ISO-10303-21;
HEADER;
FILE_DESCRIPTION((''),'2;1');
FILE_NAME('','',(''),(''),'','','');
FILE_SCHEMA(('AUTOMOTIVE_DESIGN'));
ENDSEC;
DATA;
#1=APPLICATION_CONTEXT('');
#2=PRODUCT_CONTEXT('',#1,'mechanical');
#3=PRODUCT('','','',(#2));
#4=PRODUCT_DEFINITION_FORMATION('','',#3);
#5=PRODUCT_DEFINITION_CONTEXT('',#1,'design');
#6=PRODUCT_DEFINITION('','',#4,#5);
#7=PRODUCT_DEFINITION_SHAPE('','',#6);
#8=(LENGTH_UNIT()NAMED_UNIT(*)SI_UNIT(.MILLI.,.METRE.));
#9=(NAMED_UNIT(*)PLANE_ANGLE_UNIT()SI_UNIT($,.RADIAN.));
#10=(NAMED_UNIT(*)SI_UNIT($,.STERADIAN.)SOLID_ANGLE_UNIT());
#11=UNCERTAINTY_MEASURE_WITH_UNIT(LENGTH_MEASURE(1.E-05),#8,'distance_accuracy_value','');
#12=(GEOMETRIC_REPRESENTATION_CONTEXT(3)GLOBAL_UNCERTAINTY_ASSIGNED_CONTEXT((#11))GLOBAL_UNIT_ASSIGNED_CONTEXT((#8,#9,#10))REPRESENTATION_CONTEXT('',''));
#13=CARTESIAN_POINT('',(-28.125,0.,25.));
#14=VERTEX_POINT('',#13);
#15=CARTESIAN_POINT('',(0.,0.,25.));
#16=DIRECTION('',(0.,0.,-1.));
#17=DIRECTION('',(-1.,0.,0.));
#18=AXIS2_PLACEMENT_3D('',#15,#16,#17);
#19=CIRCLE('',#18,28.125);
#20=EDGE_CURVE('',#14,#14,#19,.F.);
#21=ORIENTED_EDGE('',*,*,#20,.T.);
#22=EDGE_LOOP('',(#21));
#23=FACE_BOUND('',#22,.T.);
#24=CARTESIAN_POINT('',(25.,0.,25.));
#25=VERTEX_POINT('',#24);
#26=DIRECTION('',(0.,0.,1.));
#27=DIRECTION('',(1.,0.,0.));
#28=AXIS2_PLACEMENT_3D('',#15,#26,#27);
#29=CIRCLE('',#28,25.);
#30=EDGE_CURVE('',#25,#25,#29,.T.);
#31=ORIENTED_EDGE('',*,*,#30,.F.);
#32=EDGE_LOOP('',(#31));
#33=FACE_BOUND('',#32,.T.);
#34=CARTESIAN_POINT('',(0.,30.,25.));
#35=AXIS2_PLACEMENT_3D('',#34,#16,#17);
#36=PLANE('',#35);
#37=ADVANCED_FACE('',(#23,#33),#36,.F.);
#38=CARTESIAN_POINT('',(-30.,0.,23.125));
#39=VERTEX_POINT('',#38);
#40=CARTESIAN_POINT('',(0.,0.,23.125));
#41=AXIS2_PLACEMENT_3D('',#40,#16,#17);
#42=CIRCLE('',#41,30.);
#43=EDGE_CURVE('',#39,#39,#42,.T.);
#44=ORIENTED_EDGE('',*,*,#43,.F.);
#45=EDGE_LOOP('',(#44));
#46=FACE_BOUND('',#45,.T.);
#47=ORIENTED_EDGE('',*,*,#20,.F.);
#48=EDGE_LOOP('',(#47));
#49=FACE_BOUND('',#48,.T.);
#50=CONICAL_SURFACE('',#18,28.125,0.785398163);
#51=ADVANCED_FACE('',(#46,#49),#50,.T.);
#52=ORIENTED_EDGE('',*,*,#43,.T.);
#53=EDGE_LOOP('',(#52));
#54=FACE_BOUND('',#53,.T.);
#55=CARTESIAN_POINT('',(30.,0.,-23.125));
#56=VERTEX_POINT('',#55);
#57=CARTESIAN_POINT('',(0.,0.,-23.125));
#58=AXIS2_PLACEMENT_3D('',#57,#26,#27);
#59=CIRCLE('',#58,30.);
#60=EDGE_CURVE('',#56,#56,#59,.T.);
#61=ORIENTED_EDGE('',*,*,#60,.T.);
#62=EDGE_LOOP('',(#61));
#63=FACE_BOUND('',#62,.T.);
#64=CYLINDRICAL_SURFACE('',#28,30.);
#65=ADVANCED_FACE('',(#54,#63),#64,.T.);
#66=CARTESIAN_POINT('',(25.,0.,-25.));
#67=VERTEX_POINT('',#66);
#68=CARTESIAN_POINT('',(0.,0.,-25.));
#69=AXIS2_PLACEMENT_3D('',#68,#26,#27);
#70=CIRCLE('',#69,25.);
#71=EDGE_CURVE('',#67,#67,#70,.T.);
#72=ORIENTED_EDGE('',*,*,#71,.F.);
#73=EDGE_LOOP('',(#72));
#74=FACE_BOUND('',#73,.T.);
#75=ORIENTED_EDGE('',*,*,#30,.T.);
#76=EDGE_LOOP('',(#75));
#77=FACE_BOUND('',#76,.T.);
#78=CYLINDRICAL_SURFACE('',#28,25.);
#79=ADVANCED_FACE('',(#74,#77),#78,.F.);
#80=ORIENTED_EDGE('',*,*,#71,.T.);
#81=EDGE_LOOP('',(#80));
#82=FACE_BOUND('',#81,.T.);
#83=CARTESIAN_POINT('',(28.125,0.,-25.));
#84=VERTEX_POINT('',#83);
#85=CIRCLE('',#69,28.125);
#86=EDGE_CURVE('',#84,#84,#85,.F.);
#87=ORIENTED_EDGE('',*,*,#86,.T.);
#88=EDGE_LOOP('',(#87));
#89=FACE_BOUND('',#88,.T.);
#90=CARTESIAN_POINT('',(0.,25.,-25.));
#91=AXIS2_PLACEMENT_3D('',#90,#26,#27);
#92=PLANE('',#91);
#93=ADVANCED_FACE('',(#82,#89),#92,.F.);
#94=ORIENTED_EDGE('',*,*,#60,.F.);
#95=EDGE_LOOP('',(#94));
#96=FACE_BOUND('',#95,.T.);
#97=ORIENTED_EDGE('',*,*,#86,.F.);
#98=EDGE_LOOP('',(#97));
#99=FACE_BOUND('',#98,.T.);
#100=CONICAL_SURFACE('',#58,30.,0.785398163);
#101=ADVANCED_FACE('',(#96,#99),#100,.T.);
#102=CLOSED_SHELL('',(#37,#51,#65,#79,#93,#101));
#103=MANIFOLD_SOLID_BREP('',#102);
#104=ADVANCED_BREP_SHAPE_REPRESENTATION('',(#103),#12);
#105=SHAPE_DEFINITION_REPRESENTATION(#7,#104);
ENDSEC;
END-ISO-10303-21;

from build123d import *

# Parameters (mm, degrees)
SKETCH3_W     = 50
SKETCH3_H     = 5
CHAMFER1_SIZE = 1.875


with BuildPart() as part:
    # Sketch3 → Revolve1 (revolve)
    with BuildSketch(Plane(origin=(0, 0, 0), x_dir=(0, 0, -1), z_dir=(1, 0, 0))):
        with Locations((0, 27.5)):
            Rectangle(SKETCH3_W, SKETCH3_H)
    revolve(axis=Axis((0, 0, 25), (0, 0, -1)))

    # Chamfer1
    chamfer1_edges = [part.edges().sort_by_distance(p)[0] for p in [
        (0, -30, 25),
        (0, -30, -25),
    ]]
    chamfer(chamfer1_edges, length=CHAMFER1_SIZE)


solid = part.part
